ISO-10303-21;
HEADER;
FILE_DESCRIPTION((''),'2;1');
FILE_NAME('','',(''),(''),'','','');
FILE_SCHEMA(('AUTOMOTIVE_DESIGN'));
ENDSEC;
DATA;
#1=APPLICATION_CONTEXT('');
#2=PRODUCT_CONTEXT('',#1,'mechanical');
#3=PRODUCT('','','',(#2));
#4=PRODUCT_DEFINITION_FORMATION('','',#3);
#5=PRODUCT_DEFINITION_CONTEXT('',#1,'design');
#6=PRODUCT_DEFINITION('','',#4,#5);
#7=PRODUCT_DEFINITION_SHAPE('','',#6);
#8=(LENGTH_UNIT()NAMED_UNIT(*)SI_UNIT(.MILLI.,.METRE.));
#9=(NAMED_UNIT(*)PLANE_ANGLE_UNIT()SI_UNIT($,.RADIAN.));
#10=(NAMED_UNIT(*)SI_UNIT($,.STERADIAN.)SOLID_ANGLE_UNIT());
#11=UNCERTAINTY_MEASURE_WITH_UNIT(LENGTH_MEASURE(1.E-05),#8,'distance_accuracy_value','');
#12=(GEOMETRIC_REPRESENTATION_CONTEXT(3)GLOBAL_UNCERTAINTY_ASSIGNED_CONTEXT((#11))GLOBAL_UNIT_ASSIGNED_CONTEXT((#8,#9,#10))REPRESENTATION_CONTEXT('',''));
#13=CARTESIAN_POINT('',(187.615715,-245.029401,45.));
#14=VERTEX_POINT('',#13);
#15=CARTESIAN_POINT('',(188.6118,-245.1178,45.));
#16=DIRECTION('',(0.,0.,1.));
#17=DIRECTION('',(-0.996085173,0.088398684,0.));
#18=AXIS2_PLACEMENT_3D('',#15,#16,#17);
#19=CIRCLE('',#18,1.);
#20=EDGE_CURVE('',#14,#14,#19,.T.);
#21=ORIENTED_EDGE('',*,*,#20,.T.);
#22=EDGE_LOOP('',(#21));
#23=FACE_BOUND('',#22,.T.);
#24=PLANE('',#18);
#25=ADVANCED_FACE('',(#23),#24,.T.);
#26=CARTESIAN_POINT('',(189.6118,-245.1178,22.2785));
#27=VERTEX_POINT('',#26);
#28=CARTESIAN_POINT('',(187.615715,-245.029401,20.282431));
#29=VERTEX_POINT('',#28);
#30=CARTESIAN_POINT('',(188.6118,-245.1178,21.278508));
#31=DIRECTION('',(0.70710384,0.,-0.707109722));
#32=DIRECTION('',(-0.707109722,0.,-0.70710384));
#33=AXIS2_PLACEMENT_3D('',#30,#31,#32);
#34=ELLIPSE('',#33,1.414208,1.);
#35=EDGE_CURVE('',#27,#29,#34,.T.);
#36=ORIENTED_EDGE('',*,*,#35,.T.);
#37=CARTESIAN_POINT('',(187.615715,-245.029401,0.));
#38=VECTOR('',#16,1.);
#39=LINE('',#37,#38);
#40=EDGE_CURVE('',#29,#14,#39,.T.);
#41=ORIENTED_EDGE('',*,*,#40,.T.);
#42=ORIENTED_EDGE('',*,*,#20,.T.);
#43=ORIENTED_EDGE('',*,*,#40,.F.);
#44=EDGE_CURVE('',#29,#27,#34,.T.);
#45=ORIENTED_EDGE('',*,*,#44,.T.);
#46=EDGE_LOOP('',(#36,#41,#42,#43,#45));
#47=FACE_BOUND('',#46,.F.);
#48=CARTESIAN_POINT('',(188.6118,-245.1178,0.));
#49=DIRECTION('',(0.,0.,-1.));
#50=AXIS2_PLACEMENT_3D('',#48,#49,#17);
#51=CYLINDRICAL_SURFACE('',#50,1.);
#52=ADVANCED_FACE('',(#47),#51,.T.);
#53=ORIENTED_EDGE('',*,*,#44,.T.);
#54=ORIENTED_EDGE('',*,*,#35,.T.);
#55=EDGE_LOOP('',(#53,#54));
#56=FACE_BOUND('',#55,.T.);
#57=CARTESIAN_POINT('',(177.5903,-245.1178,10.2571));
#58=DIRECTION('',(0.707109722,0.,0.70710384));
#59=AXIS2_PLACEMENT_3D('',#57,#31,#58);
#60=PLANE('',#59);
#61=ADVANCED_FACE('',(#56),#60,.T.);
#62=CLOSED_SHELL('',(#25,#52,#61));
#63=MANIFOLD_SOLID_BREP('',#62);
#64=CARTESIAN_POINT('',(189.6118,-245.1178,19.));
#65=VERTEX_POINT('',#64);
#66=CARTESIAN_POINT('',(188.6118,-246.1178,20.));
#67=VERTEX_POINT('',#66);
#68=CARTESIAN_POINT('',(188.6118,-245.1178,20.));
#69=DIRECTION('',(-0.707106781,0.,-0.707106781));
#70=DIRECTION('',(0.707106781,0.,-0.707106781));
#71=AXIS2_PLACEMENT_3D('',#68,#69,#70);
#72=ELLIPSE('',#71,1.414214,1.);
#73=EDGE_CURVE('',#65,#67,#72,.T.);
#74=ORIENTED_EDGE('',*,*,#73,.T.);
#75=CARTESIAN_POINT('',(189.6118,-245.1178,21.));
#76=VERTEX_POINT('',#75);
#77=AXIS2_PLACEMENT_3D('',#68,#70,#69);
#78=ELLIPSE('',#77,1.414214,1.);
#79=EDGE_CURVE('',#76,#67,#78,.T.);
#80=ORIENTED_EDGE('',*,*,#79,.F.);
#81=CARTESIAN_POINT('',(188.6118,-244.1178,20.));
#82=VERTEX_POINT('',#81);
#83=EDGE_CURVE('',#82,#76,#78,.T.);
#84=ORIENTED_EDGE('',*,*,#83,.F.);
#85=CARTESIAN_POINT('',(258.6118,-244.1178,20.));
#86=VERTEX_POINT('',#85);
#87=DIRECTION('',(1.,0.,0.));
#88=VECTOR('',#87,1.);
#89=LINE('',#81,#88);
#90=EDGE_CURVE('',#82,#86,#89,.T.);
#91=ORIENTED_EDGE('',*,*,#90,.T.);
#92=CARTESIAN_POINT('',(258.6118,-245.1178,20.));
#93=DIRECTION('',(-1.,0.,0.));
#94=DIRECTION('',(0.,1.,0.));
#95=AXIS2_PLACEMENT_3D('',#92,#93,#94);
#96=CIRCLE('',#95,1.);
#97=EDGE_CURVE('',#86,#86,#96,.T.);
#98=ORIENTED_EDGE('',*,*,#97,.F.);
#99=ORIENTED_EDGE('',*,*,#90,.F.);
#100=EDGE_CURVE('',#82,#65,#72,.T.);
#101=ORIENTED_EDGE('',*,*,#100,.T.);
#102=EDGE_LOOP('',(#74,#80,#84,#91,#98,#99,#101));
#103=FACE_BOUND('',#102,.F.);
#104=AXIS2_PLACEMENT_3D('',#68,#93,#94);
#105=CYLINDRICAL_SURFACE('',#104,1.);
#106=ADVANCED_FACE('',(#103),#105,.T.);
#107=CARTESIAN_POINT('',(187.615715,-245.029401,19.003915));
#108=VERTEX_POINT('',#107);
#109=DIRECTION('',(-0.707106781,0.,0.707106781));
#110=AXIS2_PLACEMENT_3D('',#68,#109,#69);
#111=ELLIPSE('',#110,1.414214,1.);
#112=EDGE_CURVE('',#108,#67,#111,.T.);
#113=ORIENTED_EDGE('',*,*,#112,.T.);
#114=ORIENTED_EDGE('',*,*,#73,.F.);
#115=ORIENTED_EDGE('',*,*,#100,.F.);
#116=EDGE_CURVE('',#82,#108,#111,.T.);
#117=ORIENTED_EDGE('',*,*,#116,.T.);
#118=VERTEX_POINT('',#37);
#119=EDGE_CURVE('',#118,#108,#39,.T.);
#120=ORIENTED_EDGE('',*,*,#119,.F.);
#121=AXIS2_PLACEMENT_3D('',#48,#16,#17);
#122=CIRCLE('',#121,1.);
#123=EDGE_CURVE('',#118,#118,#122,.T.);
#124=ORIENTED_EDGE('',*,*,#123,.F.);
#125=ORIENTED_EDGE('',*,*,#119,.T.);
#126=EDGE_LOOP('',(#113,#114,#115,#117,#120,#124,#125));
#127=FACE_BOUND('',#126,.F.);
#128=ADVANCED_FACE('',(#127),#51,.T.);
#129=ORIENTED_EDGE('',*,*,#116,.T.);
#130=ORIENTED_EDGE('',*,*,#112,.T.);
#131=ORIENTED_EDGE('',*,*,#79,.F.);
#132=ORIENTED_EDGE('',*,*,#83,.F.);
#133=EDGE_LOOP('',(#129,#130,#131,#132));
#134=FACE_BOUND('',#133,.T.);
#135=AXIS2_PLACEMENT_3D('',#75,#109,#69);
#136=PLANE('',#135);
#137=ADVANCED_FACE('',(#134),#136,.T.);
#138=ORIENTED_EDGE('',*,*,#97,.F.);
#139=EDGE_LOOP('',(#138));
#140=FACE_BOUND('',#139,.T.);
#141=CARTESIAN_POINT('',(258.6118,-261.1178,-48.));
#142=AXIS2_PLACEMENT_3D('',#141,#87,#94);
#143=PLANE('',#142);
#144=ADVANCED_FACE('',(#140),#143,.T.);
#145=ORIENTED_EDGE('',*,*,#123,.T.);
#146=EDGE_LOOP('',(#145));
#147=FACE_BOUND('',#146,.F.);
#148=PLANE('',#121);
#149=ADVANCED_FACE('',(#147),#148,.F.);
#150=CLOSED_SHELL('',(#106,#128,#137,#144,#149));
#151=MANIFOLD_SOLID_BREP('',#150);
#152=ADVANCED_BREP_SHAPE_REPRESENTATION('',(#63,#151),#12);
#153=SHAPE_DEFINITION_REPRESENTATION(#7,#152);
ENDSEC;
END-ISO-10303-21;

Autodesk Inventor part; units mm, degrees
ref_plane "YZ Plane" through (0, 0, 0) normal (1, 0, 0) x (0, 1, 0)
ref_plane "XZ Plane" through (0, 0, 0) normal (0, 1, 0) x (-1, 0, 0)
ref_plane "XY Plane" through (0, 0, 0) normal (0, 0, 1) x (1, 0, 0)
ref_plane "Work Plane1" through (188.6118, -245.1178, 0) normal (0, 0, 1) x (-0.9961, 0.0884, 0)
sketch "Sketch1" plane through (188.6118, -245.1178, 0) normal (0, 0, 1) x (-0.9961, 0.0884, 0)
  circle A0 centre (0, 0) radius 2.6486 projected
  circle A1 centre (0, 0) radius 1
  point P0 (209.5331, -227.4929)
  dimension "d0" = 2
extrude "Extrusion1" add sketch "Sketch1" along normal blind 45 contours A1
ref_plane "Work Plane2" through (188.6118, -261.1178, -48) normal (1, 0, 0) x (0, 1, 0)
sketch "Sketch2" plane through (188.6118, -261.1178, -48) normal (1, 0, 0) x (0, 1, 0)
  line L0 (17, 93) -> (15, 93) projected
  line L1 (15, 48) -> (17, 48) projected
  circle A0 centre (16, 68) radius 1
  line L2 (15, 48) -> (15, 93) projected
  point P0 (261.1178, 48)
  dimension "d8" = 20
extrude "Extrusion2" add sketch "Sketch2" along normal blind 70
ref_plane "Work Plane3" through (172.6118, -245.1178, 98) normal (0, 1, 0) x (1, 0, 0)
sketch "Sketch3" plane through (172.6118, -245.1178, 98) normal (0, 1, 0) x (1, 0, 0)
  line L0 (86, 77) -> (86, 79) projected
  line L1 (15, 53) -> (17, 53) projected
  line L2 (17, 98) -> (15, 98) projected
  line L3 (17, 77) -> (5.6178, 88.3822)
  line L4 (5.6178, 88.3822) -> (4.9785, 87.7429)
  line L5 (4.9785, 87.7429) -> (17, 75.7215)
  line L6 (17, 75.7215) -> (17, 77)
  line L7 (17, 98) -> (17, 53) projected
  point P0 (-172.6118, 98)
  point P1 (16, 68)
  point P2 (16, 68)
  point P3 (16, 68)
  point P4 (16, 68)
extrude "Extrusion3" cut sketch "Sketch3" along normal mid plane 50
properties part number "00_Beampath_Coupling"
